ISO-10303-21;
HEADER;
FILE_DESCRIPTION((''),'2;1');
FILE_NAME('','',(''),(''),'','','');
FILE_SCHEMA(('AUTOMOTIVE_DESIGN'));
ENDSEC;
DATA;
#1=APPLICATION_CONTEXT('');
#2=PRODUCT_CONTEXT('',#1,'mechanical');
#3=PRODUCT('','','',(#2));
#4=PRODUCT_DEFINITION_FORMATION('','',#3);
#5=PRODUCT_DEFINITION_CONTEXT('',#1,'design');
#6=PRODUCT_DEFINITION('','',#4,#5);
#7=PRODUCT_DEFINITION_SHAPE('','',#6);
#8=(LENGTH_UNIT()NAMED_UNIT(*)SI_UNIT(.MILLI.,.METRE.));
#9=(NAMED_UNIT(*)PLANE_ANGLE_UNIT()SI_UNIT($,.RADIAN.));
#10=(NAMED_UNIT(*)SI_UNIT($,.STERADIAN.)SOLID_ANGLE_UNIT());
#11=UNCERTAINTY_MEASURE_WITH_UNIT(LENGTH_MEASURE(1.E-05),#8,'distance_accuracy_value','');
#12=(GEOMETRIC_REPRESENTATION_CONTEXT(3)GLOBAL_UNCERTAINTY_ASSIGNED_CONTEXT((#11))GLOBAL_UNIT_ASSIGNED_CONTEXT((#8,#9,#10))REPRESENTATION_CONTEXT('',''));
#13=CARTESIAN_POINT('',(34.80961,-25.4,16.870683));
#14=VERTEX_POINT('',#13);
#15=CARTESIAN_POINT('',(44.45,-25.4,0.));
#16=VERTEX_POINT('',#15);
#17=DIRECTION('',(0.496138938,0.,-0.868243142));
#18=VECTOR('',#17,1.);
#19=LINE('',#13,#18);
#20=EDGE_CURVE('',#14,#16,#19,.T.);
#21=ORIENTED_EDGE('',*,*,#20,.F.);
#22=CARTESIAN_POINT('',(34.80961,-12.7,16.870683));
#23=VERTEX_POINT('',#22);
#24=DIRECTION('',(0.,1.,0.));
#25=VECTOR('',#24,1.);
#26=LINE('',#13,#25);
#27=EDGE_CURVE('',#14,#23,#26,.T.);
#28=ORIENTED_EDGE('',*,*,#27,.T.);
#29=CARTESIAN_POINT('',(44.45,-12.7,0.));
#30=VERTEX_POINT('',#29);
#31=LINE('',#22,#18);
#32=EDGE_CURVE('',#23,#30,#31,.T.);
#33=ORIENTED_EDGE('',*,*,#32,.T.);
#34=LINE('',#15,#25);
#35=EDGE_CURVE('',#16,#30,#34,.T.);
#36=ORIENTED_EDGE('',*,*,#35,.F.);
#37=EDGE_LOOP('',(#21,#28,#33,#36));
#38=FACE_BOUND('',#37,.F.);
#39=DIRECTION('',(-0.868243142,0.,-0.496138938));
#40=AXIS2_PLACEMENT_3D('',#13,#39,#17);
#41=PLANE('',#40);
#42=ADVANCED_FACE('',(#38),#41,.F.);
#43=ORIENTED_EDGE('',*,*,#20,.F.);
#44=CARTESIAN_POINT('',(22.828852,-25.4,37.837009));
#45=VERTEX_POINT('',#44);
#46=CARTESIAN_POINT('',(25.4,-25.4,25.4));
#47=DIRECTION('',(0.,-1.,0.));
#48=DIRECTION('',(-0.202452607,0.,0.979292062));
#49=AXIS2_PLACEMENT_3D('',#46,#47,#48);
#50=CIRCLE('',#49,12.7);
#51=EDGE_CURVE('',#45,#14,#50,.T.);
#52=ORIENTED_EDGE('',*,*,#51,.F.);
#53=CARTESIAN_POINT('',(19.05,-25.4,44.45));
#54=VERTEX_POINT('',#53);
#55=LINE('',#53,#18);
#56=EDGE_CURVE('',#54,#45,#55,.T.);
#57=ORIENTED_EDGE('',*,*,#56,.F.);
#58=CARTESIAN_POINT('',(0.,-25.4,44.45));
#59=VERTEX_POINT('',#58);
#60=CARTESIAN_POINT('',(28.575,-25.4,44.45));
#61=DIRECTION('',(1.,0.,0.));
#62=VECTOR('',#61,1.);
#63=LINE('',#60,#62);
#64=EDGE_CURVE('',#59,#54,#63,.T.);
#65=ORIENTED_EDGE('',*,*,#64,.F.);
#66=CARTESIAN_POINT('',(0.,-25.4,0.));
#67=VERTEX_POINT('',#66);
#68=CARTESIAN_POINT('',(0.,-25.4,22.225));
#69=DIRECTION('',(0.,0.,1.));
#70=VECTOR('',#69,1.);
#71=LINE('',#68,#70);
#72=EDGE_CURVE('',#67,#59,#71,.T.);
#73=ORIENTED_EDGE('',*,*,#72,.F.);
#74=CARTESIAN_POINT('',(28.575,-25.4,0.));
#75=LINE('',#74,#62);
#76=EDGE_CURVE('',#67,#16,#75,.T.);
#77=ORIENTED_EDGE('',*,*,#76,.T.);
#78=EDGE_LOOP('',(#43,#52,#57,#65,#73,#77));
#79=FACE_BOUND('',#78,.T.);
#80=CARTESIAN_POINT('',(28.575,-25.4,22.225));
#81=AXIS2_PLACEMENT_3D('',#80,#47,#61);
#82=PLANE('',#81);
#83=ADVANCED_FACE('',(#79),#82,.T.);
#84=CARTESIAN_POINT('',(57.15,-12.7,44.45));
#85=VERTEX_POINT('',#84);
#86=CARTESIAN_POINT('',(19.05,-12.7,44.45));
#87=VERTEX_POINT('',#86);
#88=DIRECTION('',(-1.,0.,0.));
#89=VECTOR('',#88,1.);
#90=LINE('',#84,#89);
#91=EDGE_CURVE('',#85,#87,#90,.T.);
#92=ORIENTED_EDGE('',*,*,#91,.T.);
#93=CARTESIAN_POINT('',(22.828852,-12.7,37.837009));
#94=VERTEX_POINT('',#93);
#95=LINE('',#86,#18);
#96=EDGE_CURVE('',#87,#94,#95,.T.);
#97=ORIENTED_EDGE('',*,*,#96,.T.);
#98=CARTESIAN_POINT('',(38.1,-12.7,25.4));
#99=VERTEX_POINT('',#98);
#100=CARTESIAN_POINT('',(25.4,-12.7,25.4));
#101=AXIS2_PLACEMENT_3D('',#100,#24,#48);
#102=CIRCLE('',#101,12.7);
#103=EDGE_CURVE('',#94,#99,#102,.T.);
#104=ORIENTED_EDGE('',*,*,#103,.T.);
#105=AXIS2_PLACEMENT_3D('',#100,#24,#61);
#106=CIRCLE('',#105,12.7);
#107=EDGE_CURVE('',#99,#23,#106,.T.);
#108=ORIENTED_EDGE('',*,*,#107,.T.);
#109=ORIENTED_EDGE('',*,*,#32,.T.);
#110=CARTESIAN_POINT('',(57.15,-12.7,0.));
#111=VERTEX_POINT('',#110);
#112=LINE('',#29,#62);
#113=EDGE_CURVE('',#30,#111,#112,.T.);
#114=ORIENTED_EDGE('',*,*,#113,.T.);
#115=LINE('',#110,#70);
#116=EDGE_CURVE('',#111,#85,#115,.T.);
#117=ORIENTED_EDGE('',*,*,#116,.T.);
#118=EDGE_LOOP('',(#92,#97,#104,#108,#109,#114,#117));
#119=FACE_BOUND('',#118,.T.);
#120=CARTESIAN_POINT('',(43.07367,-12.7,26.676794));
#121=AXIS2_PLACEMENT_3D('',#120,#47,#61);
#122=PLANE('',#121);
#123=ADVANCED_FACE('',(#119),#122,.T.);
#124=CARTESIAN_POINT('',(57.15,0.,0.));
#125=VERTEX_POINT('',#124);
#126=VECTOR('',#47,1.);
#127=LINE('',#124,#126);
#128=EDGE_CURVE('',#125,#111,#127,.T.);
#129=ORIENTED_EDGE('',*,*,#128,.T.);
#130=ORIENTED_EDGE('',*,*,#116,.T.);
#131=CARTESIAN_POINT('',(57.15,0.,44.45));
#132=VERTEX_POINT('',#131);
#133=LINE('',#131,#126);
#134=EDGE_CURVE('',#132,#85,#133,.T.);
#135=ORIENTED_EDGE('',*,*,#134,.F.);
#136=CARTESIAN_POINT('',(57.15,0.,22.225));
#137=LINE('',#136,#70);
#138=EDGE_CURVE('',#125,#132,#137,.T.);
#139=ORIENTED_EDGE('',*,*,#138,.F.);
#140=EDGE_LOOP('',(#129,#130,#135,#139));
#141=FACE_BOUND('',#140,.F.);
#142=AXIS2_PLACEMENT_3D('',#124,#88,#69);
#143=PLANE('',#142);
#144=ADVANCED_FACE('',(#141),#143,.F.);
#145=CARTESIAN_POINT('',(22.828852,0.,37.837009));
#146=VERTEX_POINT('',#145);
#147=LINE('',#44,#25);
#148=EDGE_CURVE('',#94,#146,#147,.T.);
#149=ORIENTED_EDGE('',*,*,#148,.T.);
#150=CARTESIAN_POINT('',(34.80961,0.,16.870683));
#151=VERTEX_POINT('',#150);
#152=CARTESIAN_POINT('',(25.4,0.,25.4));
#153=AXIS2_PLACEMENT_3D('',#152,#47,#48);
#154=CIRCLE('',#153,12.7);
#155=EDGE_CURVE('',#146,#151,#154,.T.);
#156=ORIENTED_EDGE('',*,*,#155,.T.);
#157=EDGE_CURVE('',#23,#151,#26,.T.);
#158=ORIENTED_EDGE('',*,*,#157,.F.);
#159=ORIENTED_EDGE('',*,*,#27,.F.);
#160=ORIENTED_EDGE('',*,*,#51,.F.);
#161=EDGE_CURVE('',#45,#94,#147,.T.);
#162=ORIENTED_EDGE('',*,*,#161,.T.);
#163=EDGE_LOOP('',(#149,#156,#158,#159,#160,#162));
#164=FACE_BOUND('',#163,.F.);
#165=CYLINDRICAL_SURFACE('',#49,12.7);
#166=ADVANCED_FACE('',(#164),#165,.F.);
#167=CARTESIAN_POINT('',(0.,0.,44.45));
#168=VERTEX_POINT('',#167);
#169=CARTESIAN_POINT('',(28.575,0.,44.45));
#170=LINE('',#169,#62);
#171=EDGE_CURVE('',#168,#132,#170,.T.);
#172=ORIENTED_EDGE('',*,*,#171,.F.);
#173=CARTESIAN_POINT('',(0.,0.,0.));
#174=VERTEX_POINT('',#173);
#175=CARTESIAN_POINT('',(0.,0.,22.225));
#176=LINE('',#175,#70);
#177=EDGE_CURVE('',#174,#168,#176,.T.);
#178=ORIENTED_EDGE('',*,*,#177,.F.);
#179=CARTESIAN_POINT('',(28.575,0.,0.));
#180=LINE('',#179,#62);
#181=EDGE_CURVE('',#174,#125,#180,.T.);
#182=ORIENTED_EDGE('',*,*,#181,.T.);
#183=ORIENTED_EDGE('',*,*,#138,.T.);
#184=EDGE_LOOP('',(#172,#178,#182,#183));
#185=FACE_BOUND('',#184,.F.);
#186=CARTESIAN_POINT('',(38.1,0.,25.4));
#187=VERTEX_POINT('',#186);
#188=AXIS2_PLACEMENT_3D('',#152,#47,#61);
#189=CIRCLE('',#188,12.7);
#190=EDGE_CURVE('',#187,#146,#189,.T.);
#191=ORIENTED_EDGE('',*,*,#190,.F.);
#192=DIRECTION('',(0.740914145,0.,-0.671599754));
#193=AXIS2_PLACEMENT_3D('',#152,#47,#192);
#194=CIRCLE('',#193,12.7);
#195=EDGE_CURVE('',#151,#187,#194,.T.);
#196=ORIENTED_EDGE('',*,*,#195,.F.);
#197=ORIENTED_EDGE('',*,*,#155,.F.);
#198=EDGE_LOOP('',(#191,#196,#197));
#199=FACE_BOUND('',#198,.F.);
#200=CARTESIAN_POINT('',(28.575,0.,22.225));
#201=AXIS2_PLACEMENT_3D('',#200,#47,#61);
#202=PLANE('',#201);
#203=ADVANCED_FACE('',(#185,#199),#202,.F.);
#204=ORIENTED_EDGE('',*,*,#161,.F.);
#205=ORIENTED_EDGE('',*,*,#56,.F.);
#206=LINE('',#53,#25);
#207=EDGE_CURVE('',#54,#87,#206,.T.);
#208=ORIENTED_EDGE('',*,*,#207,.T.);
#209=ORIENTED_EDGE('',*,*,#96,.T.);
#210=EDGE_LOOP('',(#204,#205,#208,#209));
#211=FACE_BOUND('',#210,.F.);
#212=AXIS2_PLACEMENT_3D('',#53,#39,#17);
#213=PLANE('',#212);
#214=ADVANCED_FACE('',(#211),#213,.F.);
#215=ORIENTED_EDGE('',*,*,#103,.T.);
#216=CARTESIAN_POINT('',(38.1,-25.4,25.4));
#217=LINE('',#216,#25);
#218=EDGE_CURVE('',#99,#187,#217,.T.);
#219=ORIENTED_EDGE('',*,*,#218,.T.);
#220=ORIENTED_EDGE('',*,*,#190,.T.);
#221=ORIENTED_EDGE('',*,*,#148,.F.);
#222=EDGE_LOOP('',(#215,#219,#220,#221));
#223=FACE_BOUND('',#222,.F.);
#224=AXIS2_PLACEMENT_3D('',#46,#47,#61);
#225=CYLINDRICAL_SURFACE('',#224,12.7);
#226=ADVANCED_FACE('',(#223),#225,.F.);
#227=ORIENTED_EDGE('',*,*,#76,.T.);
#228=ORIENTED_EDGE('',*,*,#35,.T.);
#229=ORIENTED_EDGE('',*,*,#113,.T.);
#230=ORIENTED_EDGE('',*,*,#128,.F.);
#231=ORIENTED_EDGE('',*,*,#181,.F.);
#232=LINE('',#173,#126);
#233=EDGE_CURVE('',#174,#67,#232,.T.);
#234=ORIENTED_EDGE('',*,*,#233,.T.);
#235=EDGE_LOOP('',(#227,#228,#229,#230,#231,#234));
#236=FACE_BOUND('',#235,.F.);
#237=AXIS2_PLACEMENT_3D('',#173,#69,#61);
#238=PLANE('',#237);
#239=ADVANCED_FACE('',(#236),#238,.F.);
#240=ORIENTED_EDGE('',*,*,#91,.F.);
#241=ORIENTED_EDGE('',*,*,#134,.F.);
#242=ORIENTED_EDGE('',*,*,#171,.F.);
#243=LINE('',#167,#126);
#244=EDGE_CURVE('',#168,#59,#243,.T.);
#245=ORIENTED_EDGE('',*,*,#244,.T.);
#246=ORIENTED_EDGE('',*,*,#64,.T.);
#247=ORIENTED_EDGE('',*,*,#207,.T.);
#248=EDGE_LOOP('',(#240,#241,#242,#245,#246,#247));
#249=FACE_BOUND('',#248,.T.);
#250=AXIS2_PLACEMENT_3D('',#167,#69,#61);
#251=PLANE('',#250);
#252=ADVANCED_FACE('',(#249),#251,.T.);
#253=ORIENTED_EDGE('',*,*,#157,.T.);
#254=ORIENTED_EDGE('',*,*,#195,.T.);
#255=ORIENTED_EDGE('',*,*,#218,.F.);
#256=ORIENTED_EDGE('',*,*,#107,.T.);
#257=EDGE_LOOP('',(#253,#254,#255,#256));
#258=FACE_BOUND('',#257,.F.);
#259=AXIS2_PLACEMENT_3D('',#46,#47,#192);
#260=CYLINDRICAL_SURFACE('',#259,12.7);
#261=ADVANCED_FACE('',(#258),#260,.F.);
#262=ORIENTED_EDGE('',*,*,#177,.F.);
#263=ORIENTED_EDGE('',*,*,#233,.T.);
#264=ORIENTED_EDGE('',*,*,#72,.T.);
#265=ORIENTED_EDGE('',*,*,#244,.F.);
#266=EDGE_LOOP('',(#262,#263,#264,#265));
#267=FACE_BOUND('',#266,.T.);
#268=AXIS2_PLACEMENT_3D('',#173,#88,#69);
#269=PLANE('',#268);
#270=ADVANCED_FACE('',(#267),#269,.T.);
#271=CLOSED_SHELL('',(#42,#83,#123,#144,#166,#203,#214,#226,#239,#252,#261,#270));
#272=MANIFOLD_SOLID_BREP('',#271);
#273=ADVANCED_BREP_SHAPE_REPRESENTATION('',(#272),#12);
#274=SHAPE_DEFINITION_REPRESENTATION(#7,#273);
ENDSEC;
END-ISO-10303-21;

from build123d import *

# Parameters (mm, degrees)
F0_W     = 57.15
F0_H     = 44.45
F1_DEPTH = 25.4
F3_DEPTH = 12.7
F4_DEPTH = 25.4


with BuildPart() as f1:
    # F0 (on Front) → F1 (new body)
    with BuildSketch(Plane.XZ):
        with Locations((28.575, 22.225)):
            Rectangle(F0_W, F0_H)
    extrude(amount=F1_DEPTH)

    # F2 (on face) → F3 (cut)
    with BuildSketch(Plane.XZ.offset(25.4)):
        with BuildLine():
            Line((57.15, 44.45), (19.05, 44.45))
            Line((19.05, 44.45), (22.8288518953, 37.8370091832))
            ThreePointArc((22.8288518953, 37.8370091832), (33.4198634362, 35.2474255755), (38.1, 25.4))
            ThreePointArc((38.1, 25.4), (37.2488826998, 20.8290068075), (34.8096096432, 16.8706831245))
            Line((34.8096096432, 16.8706831245), (44.45, 0))
            Line((44.45, 0), (57.15, 0))
            Line((57.15, 0), (57.15, 44.45))
        make_face()
    extrude(amount=-F3_DEPTH, mode=Mode.SUBTRACT)

    # F2 (on face) → F4 (cut)
    with BuildSketch(Plane.XZ.offset(25.4)):
        with BuildLine():
            Line((34.8096096432, 16.8706831245), (22.8288518953, 37.8370091832))
            ThreePointArc((22.8288518953, 37.8370091832), (14.373312095, 19.0990354829), (34.8096096432, 16.8706831245))
        make_face()
        with BuildLine():
            ThreePointArc((38.1, 25.4), (33.4198634362, 35.2474255755), (22.8288518953, 37.8370091832))
            Line((22.8288518953, 37.8370091832), (34.8096096432, 16.8706831245))
            ThreePointArc((34.8096096432, 16.8706831245), (37.2488826998, 20.8290068075), (38.1, 25.4))
        make_face()
    extrude(amount=-F4_DEPTH, mode=Mode.SUBTRACT)


solid = f1.part
